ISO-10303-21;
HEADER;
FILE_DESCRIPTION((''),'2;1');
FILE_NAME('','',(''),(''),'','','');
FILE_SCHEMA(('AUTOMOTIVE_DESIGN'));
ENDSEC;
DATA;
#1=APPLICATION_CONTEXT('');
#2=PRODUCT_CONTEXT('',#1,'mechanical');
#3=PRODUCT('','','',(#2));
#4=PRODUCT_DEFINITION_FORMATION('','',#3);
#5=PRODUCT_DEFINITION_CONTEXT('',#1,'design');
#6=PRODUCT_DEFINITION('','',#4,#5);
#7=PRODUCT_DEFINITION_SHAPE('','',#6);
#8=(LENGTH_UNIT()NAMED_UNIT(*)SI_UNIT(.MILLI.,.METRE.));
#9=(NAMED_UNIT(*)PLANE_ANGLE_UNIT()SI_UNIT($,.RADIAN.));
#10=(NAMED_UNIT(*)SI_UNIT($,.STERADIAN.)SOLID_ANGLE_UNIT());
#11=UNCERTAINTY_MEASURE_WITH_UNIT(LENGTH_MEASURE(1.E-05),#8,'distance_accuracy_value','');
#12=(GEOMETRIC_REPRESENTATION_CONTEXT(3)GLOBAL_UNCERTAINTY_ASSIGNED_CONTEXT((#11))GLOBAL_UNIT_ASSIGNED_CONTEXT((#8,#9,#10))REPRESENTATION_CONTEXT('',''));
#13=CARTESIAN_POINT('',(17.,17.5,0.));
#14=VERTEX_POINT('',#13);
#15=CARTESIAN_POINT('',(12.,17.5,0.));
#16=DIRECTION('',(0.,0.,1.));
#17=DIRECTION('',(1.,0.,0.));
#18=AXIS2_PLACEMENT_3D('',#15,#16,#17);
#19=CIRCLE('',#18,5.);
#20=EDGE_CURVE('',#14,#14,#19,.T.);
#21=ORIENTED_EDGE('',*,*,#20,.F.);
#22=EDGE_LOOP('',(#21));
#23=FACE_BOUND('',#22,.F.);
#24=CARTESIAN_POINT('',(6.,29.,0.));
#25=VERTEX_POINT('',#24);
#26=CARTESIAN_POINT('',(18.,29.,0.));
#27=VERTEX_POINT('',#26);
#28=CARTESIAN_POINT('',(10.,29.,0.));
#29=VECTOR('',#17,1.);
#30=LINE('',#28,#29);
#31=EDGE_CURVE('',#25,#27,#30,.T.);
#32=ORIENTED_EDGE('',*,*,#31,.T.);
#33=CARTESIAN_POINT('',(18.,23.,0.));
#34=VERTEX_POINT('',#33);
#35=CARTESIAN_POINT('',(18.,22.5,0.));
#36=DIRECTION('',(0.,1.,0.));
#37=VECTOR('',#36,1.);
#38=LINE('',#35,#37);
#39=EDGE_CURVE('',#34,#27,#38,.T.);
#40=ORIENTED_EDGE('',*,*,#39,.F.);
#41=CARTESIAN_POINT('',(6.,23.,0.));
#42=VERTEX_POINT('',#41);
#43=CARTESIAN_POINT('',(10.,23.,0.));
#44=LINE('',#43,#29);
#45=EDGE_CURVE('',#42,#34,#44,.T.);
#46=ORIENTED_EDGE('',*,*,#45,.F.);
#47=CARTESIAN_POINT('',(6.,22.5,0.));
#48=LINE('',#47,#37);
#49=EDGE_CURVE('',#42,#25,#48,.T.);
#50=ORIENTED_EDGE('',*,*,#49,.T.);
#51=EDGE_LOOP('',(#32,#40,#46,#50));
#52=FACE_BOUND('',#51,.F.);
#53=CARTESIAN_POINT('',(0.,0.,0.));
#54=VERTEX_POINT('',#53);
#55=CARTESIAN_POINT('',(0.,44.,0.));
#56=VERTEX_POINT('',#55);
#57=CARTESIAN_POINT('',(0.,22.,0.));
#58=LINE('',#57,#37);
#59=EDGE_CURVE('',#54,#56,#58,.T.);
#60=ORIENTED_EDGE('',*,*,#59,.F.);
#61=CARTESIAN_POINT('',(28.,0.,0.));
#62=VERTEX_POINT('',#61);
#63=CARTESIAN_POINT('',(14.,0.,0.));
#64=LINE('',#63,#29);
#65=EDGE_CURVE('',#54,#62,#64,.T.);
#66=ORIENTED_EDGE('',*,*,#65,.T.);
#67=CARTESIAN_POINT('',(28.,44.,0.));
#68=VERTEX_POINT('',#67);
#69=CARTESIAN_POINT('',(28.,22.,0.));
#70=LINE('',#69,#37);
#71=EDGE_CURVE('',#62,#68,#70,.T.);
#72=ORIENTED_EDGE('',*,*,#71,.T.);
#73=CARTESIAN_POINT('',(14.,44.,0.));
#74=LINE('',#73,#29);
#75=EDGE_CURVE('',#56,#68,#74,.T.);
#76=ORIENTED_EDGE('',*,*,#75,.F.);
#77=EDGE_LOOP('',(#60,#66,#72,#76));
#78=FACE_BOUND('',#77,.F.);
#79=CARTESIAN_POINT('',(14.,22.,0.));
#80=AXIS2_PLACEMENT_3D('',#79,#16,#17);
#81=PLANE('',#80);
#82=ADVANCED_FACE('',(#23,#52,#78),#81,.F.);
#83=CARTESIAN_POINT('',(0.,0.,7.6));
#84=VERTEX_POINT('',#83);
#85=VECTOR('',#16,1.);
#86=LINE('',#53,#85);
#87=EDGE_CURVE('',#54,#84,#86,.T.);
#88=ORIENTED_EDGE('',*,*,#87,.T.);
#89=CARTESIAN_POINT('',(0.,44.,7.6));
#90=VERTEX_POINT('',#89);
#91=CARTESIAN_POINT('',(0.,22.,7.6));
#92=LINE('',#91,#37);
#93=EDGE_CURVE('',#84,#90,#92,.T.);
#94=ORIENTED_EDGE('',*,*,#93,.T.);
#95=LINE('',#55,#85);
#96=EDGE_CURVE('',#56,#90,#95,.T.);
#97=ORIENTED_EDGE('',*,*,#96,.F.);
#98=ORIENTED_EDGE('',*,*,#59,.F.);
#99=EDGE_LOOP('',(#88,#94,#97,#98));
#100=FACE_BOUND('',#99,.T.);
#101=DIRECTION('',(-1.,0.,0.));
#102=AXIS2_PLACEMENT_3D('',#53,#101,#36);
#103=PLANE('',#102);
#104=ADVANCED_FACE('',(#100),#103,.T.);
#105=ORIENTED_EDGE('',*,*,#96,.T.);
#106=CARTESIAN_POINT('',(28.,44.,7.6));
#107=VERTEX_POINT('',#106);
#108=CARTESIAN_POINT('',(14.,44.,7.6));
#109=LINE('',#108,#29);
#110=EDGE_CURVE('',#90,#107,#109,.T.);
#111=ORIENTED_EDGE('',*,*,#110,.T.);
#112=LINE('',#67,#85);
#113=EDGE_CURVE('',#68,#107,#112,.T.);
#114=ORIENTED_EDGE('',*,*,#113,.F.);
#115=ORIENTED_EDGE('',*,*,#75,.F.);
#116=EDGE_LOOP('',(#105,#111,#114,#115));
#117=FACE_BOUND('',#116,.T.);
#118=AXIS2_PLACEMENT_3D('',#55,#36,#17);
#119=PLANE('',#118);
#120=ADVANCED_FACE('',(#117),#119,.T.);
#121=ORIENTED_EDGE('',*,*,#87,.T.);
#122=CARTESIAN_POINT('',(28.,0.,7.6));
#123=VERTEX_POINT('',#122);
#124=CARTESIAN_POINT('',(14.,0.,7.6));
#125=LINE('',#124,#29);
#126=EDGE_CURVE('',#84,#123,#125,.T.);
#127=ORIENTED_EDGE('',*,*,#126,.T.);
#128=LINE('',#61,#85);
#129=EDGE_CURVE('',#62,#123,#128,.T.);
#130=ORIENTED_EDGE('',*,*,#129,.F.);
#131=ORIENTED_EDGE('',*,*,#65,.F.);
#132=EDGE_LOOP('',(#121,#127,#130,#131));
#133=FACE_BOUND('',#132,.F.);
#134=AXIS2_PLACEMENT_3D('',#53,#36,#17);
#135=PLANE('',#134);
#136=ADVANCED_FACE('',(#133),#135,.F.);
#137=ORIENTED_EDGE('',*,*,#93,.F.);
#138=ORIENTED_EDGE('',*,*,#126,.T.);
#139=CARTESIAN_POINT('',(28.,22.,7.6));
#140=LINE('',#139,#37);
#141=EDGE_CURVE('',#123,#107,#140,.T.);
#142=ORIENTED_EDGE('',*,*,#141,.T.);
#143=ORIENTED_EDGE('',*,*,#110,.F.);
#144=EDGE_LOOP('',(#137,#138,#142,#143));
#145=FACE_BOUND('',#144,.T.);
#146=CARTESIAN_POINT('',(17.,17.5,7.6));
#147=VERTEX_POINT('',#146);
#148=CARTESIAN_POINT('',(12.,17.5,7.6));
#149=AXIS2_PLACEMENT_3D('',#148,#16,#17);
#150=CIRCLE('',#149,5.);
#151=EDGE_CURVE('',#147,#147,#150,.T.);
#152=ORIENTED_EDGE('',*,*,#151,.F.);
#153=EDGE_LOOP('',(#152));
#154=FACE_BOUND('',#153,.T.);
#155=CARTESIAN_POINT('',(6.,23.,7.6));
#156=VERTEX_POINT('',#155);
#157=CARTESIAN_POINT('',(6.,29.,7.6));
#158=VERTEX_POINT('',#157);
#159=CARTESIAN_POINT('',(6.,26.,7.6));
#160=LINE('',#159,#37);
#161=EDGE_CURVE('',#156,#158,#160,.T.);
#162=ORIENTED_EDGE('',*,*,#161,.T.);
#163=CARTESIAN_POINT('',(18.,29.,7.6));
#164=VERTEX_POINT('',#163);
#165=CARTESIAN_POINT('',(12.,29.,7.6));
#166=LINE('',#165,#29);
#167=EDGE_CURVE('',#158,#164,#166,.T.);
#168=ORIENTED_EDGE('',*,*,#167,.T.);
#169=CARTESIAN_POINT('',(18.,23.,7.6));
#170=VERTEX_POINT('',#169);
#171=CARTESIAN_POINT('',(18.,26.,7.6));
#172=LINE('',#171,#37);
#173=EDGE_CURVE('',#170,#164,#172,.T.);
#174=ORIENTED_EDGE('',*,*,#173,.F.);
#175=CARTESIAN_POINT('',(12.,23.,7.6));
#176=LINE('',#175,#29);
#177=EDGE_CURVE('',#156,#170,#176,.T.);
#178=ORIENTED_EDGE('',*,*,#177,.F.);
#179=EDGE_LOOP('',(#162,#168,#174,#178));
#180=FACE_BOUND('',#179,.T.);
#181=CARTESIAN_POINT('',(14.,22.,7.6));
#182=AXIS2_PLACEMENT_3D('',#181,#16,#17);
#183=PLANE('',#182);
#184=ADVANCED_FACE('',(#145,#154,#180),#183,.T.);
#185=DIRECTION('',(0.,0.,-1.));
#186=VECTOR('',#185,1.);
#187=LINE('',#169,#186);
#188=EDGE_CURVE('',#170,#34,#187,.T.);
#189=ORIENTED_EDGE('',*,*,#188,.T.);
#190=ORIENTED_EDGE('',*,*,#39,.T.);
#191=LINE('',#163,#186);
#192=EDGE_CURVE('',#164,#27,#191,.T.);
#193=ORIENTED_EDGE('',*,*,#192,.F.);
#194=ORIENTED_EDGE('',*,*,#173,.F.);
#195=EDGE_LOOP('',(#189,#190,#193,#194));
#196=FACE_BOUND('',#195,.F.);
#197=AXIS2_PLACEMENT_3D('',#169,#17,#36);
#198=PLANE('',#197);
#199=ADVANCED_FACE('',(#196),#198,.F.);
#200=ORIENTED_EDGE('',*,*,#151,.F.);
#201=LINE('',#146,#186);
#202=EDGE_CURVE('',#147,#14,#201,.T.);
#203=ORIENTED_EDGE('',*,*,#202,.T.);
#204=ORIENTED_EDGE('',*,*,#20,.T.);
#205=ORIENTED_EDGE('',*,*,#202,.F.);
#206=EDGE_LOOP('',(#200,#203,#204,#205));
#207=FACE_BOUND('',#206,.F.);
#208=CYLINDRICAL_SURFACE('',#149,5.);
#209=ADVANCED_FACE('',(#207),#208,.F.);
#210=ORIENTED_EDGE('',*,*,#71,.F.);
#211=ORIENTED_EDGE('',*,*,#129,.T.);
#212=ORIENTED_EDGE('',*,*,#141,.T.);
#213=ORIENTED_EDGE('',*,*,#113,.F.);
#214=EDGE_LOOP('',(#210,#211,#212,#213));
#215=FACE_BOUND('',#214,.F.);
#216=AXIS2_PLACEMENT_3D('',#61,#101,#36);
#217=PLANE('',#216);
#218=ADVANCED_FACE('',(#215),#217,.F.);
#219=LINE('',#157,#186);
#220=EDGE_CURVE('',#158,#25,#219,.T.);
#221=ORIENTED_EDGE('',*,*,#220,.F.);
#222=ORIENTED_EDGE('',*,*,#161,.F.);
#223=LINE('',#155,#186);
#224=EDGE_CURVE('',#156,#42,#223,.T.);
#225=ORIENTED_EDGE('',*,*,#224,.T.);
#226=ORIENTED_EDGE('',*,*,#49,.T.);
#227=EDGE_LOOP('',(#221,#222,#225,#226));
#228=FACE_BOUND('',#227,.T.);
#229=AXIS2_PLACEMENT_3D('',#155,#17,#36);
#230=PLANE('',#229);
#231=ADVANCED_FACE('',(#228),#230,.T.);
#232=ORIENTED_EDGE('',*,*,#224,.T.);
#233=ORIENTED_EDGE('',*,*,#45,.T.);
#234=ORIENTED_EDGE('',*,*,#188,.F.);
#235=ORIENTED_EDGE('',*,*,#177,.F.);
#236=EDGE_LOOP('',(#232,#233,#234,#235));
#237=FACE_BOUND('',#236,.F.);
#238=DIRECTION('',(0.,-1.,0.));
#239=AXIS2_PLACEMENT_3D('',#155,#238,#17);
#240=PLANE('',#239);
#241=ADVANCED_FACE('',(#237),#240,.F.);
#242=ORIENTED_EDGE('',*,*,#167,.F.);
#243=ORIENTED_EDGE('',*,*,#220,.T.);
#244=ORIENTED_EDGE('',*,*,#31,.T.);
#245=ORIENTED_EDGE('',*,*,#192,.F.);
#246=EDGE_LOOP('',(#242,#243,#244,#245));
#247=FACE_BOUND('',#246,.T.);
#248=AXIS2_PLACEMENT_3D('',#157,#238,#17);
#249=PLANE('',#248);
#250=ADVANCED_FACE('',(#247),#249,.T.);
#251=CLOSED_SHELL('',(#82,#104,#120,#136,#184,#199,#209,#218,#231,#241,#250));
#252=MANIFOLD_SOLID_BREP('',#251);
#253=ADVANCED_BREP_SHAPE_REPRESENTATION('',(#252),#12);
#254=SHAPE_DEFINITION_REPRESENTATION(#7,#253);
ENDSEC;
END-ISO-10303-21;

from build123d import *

# Parameters (mm, degrees)
F0_W     = 28
F0_H     = 44
F1_DEPTH = 7.6
F2_R     = 5
F2_W     = 12
F2_H     = 6
F3_DEPTH = 7.601


with BuildPart() as f1:
    # F0 (on Top) → F1 (new body)
    with BuildSketch(Plane.XY):
        with Locations((14, 22)):
            Rectangle(F0_W, F0_H)
    extrude(amount=F1_DEPTH)

    # F2 (on face) → F3 (cut, through all)
    with BuildSketch(Plane.XY.offset(7.6)):
        with Locations((12, 17.5)):
            Circle(F2_R)
        with Locations((12, 26)):
            Rectangle(F2_W, F2_H)
    extrude(amount=-F3_DEPTH, mode=Mode.SUBTRACT)


solid = f1.part
